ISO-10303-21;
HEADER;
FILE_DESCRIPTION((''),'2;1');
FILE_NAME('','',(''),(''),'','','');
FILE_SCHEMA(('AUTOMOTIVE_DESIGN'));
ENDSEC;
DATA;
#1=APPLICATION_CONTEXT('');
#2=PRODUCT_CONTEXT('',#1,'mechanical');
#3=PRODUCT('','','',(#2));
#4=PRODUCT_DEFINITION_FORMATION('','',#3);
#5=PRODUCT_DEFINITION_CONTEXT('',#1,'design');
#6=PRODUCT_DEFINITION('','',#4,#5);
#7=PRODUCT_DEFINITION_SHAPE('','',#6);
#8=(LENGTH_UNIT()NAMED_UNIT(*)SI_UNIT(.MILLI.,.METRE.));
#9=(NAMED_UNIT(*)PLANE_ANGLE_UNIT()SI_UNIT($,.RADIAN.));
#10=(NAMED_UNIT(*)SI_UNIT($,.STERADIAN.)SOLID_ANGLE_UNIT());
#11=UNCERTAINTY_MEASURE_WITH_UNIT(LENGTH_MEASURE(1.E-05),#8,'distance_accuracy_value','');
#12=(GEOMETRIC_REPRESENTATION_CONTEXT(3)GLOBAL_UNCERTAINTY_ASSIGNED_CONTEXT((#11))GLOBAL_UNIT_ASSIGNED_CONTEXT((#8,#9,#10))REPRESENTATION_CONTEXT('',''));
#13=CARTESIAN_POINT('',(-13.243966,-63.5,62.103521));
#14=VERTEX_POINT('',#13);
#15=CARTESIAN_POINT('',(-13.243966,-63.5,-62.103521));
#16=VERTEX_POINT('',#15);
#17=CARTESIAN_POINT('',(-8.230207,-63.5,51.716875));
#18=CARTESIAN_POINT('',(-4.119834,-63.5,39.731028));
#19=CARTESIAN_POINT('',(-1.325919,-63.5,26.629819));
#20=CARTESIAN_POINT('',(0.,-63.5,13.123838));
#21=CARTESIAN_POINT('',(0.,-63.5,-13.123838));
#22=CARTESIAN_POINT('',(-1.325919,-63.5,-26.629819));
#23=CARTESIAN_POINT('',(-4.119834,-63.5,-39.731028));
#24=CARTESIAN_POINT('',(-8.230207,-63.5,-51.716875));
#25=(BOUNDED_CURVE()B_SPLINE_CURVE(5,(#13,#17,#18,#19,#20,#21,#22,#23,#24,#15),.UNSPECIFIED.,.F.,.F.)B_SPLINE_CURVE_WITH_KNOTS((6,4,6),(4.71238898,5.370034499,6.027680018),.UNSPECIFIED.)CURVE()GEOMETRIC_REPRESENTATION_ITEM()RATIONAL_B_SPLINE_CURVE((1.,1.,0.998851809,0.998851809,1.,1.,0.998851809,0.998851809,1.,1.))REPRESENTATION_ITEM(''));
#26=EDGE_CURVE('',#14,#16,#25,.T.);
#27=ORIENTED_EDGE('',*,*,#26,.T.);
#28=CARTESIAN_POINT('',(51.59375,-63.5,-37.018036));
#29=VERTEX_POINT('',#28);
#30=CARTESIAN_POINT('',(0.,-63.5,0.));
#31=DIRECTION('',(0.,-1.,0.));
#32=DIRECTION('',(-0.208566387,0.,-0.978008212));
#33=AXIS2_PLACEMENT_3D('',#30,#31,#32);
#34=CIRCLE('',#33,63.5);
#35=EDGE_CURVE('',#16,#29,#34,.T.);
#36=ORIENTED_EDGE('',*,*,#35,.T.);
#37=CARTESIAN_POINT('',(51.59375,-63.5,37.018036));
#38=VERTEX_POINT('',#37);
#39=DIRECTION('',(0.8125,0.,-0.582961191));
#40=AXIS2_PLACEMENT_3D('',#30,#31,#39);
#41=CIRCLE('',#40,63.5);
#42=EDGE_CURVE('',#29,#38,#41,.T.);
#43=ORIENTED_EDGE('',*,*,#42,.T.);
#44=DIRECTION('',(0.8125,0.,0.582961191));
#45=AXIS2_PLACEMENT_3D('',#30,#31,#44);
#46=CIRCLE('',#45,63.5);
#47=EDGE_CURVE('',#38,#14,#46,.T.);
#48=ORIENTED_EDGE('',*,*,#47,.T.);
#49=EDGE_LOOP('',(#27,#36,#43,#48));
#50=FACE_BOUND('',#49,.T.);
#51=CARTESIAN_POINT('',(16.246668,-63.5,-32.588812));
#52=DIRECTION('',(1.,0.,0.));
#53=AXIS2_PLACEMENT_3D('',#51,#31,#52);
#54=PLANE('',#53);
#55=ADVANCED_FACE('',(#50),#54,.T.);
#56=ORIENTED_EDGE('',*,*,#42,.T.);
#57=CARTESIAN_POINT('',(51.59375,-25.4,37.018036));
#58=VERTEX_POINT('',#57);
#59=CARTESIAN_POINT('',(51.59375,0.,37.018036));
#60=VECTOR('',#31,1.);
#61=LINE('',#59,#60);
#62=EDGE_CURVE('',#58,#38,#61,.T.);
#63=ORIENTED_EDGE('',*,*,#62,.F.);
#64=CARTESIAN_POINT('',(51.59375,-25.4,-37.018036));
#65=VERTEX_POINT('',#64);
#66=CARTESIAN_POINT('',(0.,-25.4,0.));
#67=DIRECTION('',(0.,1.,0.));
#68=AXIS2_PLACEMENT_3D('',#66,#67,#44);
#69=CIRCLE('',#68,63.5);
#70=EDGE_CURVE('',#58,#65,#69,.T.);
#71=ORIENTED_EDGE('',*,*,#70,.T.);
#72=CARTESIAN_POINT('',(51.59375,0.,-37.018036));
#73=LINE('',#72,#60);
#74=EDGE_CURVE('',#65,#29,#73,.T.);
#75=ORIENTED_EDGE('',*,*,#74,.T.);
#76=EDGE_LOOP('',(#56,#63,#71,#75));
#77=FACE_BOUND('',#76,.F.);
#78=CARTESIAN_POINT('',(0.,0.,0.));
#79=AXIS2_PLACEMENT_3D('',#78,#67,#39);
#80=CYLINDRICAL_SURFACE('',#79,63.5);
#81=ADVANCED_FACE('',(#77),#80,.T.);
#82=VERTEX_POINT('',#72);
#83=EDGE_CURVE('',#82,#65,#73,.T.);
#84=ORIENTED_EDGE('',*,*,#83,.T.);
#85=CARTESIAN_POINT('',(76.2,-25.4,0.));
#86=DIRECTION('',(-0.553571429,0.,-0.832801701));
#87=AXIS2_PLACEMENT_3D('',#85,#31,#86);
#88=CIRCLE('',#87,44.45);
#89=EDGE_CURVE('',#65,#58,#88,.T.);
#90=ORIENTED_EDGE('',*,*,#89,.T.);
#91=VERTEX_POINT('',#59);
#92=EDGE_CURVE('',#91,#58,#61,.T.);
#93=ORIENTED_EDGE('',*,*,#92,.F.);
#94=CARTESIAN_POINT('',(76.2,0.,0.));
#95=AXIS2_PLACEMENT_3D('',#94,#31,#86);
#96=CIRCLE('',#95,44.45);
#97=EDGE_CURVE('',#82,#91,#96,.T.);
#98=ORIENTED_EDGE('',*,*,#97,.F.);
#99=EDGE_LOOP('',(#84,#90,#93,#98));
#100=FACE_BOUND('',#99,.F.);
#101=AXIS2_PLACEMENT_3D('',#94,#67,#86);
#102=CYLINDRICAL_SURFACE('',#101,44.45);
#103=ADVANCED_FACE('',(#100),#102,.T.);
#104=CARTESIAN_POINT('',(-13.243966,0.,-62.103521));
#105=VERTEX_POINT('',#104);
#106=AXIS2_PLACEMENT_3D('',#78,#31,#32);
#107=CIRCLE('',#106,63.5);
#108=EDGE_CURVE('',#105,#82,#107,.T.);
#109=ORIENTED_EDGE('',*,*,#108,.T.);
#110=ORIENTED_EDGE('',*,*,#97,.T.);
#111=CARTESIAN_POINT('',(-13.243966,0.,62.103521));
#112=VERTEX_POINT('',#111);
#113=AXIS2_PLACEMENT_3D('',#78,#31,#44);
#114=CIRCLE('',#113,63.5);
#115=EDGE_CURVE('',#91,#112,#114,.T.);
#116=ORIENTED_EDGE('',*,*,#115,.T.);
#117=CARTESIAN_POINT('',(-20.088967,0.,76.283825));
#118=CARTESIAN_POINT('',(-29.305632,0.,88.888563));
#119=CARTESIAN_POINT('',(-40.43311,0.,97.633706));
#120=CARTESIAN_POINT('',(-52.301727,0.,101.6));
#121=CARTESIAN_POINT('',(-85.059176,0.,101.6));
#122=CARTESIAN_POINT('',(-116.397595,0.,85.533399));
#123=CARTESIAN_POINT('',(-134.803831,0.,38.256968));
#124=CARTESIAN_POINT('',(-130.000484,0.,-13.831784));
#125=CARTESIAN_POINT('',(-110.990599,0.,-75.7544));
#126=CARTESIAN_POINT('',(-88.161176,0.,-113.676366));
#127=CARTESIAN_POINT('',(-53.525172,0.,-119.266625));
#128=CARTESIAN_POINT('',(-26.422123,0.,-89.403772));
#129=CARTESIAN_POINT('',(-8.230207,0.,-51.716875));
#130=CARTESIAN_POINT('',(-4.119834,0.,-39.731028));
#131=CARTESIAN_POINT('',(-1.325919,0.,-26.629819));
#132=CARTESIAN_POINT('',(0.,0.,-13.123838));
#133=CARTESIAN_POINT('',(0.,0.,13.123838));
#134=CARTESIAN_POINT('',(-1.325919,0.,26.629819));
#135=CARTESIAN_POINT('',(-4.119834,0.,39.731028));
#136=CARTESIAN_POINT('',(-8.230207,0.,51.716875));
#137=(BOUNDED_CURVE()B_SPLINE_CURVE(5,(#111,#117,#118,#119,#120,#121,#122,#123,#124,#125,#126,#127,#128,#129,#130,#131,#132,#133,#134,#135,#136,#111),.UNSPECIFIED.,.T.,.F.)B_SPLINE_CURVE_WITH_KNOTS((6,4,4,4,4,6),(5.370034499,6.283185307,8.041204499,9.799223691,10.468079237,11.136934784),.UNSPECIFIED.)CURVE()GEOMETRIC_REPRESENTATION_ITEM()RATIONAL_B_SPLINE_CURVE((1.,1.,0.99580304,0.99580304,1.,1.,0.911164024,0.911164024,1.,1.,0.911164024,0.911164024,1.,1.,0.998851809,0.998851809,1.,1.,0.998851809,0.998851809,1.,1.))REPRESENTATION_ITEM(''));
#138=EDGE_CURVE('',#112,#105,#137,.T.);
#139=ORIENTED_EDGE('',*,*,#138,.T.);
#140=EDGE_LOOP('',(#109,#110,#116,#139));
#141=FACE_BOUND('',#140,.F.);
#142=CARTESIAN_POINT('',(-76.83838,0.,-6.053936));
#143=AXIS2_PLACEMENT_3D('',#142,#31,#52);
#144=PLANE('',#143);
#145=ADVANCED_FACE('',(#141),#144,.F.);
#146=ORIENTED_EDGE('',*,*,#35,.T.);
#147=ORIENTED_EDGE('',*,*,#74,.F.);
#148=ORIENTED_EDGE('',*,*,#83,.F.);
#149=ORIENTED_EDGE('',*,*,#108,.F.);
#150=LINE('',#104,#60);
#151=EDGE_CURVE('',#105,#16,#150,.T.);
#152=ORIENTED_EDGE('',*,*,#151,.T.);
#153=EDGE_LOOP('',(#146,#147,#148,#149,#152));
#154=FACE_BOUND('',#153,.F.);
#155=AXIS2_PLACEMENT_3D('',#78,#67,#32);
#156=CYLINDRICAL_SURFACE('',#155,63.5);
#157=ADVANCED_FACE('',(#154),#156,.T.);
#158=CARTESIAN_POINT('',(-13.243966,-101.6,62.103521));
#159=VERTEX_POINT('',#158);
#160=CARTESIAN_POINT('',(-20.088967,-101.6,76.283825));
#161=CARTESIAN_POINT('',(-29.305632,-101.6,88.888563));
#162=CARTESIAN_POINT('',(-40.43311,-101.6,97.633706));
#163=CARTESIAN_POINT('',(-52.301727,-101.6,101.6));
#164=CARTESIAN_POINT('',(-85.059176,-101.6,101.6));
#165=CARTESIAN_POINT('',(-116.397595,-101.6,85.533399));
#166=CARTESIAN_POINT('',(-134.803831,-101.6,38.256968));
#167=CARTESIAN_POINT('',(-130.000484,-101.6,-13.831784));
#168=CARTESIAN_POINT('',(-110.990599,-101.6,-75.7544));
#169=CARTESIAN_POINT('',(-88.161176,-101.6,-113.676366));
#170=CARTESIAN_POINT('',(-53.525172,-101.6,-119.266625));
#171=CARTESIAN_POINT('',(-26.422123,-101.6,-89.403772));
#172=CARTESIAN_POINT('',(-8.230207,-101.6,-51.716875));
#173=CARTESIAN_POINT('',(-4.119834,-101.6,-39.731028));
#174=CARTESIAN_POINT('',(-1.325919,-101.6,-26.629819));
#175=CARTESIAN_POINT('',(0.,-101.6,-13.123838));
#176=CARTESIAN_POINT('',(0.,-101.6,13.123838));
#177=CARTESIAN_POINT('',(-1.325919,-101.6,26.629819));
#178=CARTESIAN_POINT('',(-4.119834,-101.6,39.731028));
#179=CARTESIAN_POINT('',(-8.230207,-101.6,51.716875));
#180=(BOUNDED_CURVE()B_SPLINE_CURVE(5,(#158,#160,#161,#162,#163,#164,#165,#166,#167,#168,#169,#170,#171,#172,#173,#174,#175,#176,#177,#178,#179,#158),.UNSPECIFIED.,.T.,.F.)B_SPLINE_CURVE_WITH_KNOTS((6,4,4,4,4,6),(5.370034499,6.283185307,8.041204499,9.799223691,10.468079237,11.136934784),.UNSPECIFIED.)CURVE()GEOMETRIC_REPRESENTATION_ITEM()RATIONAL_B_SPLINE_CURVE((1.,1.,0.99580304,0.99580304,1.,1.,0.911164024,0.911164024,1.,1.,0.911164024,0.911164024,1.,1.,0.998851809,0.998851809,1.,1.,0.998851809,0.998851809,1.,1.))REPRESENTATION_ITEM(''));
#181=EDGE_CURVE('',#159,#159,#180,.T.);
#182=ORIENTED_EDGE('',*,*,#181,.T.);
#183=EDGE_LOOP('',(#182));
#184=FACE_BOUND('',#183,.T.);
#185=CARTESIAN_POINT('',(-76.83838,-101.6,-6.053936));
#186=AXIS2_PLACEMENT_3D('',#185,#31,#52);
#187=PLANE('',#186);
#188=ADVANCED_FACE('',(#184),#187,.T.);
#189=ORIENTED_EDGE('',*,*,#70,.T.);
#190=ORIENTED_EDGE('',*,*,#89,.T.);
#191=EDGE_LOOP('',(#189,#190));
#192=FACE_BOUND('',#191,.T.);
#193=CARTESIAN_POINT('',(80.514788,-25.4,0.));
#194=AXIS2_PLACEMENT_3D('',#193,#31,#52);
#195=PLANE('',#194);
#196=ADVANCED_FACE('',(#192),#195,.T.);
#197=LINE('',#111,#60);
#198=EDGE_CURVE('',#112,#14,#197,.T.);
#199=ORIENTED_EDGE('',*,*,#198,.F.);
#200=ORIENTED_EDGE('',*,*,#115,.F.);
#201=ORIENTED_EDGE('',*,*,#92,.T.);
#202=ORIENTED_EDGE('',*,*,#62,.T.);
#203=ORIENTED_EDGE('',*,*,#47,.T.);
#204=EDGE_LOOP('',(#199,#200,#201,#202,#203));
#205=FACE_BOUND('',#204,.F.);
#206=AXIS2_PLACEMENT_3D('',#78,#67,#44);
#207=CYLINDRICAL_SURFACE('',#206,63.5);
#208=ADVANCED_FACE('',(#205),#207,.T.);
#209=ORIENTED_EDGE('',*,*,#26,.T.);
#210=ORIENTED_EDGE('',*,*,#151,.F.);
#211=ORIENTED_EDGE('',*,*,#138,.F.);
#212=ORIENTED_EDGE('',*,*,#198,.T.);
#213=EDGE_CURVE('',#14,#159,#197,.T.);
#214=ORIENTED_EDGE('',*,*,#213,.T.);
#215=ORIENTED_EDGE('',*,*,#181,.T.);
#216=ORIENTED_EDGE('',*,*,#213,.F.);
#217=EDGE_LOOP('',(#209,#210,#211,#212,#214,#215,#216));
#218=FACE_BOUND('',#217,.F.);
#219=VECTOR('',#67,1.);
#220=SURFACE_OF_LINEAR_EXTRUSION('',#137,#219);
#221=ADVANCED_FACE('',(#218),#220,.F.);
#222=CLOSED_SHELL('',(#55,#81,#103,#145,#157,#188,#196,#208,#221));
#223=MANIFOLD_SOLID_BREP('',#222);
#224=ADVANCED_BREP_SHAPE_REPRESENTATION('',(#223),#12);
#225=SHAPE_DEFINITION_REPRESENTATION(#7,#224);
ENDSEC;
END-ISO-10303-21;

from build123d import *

# Parameters (mm, degrees)
F1_DEPTH = 25.4
F2_DEPTH = 63.5
F3_DEPTH = 101.6


with BuildPart() as f1:
    # F0 (on Front) → F1 (new body)
    with BuildSketch(Plane.XZ):
        with BuildLine():
            ThreePointArc((51.59375, 37.0180356169), (60.4501990278, 19.4428248333), (63.5, 0))
            ThreePointArc((63.5, 0), (60.4501990278, -19.4428248333), (51.59375, -37.0180356169))
            ThreePointArc((51.59375, -37.0180356169), (97.2006510316, -39.1762065066), (120.65, 0))
            ThreePointArc((120.65, 0), (97.2006510316, 39.1762065066), (51.59375, 37.0180356169))
        make_face()
    extrude(amount=F1_DEPTH)

    # F0 (on Front) → F2 (join)
    with BuildSketch(Plane.XZ):
        with BuildLine():
            Line((31.75, 0), (0, 0))
            add(Edge.make_bspline(
                [(-13.2439655959, -62.1035214404), (0, -34.6669399309), (0, 0)],
                knots=[4.0547434617, 4.0547434617, 4.0547434617, 4.7123889804, 4.7123889804, 4.7123889804], degree=2, weights=[1, 0.9464231645, 1]))
            ThreePointArc((-13.2439655959, -62.1035214404), (22.9128106244, -59.2220660674), (51.59375, -37.0180356169))
            ThreePointArc((51.59375, -37.0180356169), (37.0237934934, -21.0006510316), (31.75, 0))
        make_face()
        with BuildLine():
            Line((63.5, 0), (31.75, 0))
            ThreePointArc((31.75, 0), (37.0237934934, -21.0006510316), (51.59375, -37.0180356169))
            ThreePointArc((51.59375, -37.0180356169), (60.4501990278, -19.4428248333), (63.5, 0))
        make_face()
        with BuildLine():
            add(Edge.make_bspline(
                [(0, 0), (0, 34.6669399309), (-13.2439655959, 62.1035214404)],
                knots=[4.7123889804, 4.7123889804, 4.7123889804, 5.370034499, 5.370034499, 5.370034499], degree=2, weights=[1, 0.9464231645, 1]))
            Line((0, 0), (31.75, 0))
            ThreePointArc((31.75, 0), (37.0237934934, 21.0006510316), (51.59375, 37.0180356169))
            ThreePointArc((51.59375, 37.0180356169), (22.9128106244, 59.2220660674), (-13.2439655959, 62.1035214404))
        make_face()
        with BuildLine():
            ThreePointArc((51.59375, 37.0180356169), (37.0237934934, 21.0006510316), (31.75, 0))
            Line((31.75, 0), (63.5, 0))
            ThreePointArc((63.5, 0), (60.4501990278, 19.4428248333), (51.59375, 37.0180356169))
        make_face()
    extrude(amount=F2_DEPTH)

    # F0 (on Front) → F3 (join)
    with BuildSketch(Plane.XZ):
        with BuildLine():
            add(Edge.make_bspline(
                [(-63.5, 101.6), (-165.437374262, 101.6), (-120.4955415237, -44.7930922222), (-75.5537087854, -191.1861844445), (-13.2439655959, -62.1035214404)],
                knots=[0, 0, 0, 2.0273717309, 2.0273717309, 4.0547434617, 4.0547434617, 4.0547434617], degree=2, weights=[1, 0.5287358074, 1, 0.5287358074, 1]))
            ThreePointArc((-13.2439655959, -62.1035214404), (-49.3621404284, -39.9453262889), (-63.5, 0))
            Line((-63.5, 0), (-63.5, 101.6))
        make_face()
        with BuildLine():
            add(Edge.make_bspline(
                [(-13.2439655959, -62.1035214404), (0, -34.6669399309), (0, 0)],
                knots=[4.0547434617, 4.0547434617, 4.0547434617, 4.7123889804, 4.7123889804, 4.7123889804], degree=2, weights=[1, 0.9464231645, 1]))
            add(Edge.make_bspline(
                [(0, 0), (0, 34.6669399309), (-13.2439655959, 62.1035214404)],
                knots=[4.7123889804, 4.7123889804, 4.7123889804, 5.370034499, 5.370034499, 5.370034499], degree=2, weights=[1, 0.9464231645, 1]))
            ThreePointArc((-13.2439655959, 62.1035214404), (-49.3621404284, 39.9453262889), (-63.5, 0))
            ThreePointArc((-63.5, 0), (-49.3621404284, -39.9453262889), (-13.2439655959, -62.1035214404))
        make_face()
        with BuildLine():
            ThreePointArc((-63.5, 0), (-49.3621404284, 39.9453262889), (-13.2439655959, 62.1035214404))
            add(Edge.make_bspline(
                [(-13.2439655959, 62.1035214404), (-32.3093875408, 101.6), (-63.5, 101.6)],
                knots=[5.370034499, 5.370034499, 5.370034499, 6.2831853072, 6.2831853072, 6.2831853072], degree=2, weights=[1, 0.8975675831, 1]))
            Line((-63.5, 101.6), (-63.5, 0))
        make_face()
    extrude(amount=F3_DEPTH)


solid = f1.part
